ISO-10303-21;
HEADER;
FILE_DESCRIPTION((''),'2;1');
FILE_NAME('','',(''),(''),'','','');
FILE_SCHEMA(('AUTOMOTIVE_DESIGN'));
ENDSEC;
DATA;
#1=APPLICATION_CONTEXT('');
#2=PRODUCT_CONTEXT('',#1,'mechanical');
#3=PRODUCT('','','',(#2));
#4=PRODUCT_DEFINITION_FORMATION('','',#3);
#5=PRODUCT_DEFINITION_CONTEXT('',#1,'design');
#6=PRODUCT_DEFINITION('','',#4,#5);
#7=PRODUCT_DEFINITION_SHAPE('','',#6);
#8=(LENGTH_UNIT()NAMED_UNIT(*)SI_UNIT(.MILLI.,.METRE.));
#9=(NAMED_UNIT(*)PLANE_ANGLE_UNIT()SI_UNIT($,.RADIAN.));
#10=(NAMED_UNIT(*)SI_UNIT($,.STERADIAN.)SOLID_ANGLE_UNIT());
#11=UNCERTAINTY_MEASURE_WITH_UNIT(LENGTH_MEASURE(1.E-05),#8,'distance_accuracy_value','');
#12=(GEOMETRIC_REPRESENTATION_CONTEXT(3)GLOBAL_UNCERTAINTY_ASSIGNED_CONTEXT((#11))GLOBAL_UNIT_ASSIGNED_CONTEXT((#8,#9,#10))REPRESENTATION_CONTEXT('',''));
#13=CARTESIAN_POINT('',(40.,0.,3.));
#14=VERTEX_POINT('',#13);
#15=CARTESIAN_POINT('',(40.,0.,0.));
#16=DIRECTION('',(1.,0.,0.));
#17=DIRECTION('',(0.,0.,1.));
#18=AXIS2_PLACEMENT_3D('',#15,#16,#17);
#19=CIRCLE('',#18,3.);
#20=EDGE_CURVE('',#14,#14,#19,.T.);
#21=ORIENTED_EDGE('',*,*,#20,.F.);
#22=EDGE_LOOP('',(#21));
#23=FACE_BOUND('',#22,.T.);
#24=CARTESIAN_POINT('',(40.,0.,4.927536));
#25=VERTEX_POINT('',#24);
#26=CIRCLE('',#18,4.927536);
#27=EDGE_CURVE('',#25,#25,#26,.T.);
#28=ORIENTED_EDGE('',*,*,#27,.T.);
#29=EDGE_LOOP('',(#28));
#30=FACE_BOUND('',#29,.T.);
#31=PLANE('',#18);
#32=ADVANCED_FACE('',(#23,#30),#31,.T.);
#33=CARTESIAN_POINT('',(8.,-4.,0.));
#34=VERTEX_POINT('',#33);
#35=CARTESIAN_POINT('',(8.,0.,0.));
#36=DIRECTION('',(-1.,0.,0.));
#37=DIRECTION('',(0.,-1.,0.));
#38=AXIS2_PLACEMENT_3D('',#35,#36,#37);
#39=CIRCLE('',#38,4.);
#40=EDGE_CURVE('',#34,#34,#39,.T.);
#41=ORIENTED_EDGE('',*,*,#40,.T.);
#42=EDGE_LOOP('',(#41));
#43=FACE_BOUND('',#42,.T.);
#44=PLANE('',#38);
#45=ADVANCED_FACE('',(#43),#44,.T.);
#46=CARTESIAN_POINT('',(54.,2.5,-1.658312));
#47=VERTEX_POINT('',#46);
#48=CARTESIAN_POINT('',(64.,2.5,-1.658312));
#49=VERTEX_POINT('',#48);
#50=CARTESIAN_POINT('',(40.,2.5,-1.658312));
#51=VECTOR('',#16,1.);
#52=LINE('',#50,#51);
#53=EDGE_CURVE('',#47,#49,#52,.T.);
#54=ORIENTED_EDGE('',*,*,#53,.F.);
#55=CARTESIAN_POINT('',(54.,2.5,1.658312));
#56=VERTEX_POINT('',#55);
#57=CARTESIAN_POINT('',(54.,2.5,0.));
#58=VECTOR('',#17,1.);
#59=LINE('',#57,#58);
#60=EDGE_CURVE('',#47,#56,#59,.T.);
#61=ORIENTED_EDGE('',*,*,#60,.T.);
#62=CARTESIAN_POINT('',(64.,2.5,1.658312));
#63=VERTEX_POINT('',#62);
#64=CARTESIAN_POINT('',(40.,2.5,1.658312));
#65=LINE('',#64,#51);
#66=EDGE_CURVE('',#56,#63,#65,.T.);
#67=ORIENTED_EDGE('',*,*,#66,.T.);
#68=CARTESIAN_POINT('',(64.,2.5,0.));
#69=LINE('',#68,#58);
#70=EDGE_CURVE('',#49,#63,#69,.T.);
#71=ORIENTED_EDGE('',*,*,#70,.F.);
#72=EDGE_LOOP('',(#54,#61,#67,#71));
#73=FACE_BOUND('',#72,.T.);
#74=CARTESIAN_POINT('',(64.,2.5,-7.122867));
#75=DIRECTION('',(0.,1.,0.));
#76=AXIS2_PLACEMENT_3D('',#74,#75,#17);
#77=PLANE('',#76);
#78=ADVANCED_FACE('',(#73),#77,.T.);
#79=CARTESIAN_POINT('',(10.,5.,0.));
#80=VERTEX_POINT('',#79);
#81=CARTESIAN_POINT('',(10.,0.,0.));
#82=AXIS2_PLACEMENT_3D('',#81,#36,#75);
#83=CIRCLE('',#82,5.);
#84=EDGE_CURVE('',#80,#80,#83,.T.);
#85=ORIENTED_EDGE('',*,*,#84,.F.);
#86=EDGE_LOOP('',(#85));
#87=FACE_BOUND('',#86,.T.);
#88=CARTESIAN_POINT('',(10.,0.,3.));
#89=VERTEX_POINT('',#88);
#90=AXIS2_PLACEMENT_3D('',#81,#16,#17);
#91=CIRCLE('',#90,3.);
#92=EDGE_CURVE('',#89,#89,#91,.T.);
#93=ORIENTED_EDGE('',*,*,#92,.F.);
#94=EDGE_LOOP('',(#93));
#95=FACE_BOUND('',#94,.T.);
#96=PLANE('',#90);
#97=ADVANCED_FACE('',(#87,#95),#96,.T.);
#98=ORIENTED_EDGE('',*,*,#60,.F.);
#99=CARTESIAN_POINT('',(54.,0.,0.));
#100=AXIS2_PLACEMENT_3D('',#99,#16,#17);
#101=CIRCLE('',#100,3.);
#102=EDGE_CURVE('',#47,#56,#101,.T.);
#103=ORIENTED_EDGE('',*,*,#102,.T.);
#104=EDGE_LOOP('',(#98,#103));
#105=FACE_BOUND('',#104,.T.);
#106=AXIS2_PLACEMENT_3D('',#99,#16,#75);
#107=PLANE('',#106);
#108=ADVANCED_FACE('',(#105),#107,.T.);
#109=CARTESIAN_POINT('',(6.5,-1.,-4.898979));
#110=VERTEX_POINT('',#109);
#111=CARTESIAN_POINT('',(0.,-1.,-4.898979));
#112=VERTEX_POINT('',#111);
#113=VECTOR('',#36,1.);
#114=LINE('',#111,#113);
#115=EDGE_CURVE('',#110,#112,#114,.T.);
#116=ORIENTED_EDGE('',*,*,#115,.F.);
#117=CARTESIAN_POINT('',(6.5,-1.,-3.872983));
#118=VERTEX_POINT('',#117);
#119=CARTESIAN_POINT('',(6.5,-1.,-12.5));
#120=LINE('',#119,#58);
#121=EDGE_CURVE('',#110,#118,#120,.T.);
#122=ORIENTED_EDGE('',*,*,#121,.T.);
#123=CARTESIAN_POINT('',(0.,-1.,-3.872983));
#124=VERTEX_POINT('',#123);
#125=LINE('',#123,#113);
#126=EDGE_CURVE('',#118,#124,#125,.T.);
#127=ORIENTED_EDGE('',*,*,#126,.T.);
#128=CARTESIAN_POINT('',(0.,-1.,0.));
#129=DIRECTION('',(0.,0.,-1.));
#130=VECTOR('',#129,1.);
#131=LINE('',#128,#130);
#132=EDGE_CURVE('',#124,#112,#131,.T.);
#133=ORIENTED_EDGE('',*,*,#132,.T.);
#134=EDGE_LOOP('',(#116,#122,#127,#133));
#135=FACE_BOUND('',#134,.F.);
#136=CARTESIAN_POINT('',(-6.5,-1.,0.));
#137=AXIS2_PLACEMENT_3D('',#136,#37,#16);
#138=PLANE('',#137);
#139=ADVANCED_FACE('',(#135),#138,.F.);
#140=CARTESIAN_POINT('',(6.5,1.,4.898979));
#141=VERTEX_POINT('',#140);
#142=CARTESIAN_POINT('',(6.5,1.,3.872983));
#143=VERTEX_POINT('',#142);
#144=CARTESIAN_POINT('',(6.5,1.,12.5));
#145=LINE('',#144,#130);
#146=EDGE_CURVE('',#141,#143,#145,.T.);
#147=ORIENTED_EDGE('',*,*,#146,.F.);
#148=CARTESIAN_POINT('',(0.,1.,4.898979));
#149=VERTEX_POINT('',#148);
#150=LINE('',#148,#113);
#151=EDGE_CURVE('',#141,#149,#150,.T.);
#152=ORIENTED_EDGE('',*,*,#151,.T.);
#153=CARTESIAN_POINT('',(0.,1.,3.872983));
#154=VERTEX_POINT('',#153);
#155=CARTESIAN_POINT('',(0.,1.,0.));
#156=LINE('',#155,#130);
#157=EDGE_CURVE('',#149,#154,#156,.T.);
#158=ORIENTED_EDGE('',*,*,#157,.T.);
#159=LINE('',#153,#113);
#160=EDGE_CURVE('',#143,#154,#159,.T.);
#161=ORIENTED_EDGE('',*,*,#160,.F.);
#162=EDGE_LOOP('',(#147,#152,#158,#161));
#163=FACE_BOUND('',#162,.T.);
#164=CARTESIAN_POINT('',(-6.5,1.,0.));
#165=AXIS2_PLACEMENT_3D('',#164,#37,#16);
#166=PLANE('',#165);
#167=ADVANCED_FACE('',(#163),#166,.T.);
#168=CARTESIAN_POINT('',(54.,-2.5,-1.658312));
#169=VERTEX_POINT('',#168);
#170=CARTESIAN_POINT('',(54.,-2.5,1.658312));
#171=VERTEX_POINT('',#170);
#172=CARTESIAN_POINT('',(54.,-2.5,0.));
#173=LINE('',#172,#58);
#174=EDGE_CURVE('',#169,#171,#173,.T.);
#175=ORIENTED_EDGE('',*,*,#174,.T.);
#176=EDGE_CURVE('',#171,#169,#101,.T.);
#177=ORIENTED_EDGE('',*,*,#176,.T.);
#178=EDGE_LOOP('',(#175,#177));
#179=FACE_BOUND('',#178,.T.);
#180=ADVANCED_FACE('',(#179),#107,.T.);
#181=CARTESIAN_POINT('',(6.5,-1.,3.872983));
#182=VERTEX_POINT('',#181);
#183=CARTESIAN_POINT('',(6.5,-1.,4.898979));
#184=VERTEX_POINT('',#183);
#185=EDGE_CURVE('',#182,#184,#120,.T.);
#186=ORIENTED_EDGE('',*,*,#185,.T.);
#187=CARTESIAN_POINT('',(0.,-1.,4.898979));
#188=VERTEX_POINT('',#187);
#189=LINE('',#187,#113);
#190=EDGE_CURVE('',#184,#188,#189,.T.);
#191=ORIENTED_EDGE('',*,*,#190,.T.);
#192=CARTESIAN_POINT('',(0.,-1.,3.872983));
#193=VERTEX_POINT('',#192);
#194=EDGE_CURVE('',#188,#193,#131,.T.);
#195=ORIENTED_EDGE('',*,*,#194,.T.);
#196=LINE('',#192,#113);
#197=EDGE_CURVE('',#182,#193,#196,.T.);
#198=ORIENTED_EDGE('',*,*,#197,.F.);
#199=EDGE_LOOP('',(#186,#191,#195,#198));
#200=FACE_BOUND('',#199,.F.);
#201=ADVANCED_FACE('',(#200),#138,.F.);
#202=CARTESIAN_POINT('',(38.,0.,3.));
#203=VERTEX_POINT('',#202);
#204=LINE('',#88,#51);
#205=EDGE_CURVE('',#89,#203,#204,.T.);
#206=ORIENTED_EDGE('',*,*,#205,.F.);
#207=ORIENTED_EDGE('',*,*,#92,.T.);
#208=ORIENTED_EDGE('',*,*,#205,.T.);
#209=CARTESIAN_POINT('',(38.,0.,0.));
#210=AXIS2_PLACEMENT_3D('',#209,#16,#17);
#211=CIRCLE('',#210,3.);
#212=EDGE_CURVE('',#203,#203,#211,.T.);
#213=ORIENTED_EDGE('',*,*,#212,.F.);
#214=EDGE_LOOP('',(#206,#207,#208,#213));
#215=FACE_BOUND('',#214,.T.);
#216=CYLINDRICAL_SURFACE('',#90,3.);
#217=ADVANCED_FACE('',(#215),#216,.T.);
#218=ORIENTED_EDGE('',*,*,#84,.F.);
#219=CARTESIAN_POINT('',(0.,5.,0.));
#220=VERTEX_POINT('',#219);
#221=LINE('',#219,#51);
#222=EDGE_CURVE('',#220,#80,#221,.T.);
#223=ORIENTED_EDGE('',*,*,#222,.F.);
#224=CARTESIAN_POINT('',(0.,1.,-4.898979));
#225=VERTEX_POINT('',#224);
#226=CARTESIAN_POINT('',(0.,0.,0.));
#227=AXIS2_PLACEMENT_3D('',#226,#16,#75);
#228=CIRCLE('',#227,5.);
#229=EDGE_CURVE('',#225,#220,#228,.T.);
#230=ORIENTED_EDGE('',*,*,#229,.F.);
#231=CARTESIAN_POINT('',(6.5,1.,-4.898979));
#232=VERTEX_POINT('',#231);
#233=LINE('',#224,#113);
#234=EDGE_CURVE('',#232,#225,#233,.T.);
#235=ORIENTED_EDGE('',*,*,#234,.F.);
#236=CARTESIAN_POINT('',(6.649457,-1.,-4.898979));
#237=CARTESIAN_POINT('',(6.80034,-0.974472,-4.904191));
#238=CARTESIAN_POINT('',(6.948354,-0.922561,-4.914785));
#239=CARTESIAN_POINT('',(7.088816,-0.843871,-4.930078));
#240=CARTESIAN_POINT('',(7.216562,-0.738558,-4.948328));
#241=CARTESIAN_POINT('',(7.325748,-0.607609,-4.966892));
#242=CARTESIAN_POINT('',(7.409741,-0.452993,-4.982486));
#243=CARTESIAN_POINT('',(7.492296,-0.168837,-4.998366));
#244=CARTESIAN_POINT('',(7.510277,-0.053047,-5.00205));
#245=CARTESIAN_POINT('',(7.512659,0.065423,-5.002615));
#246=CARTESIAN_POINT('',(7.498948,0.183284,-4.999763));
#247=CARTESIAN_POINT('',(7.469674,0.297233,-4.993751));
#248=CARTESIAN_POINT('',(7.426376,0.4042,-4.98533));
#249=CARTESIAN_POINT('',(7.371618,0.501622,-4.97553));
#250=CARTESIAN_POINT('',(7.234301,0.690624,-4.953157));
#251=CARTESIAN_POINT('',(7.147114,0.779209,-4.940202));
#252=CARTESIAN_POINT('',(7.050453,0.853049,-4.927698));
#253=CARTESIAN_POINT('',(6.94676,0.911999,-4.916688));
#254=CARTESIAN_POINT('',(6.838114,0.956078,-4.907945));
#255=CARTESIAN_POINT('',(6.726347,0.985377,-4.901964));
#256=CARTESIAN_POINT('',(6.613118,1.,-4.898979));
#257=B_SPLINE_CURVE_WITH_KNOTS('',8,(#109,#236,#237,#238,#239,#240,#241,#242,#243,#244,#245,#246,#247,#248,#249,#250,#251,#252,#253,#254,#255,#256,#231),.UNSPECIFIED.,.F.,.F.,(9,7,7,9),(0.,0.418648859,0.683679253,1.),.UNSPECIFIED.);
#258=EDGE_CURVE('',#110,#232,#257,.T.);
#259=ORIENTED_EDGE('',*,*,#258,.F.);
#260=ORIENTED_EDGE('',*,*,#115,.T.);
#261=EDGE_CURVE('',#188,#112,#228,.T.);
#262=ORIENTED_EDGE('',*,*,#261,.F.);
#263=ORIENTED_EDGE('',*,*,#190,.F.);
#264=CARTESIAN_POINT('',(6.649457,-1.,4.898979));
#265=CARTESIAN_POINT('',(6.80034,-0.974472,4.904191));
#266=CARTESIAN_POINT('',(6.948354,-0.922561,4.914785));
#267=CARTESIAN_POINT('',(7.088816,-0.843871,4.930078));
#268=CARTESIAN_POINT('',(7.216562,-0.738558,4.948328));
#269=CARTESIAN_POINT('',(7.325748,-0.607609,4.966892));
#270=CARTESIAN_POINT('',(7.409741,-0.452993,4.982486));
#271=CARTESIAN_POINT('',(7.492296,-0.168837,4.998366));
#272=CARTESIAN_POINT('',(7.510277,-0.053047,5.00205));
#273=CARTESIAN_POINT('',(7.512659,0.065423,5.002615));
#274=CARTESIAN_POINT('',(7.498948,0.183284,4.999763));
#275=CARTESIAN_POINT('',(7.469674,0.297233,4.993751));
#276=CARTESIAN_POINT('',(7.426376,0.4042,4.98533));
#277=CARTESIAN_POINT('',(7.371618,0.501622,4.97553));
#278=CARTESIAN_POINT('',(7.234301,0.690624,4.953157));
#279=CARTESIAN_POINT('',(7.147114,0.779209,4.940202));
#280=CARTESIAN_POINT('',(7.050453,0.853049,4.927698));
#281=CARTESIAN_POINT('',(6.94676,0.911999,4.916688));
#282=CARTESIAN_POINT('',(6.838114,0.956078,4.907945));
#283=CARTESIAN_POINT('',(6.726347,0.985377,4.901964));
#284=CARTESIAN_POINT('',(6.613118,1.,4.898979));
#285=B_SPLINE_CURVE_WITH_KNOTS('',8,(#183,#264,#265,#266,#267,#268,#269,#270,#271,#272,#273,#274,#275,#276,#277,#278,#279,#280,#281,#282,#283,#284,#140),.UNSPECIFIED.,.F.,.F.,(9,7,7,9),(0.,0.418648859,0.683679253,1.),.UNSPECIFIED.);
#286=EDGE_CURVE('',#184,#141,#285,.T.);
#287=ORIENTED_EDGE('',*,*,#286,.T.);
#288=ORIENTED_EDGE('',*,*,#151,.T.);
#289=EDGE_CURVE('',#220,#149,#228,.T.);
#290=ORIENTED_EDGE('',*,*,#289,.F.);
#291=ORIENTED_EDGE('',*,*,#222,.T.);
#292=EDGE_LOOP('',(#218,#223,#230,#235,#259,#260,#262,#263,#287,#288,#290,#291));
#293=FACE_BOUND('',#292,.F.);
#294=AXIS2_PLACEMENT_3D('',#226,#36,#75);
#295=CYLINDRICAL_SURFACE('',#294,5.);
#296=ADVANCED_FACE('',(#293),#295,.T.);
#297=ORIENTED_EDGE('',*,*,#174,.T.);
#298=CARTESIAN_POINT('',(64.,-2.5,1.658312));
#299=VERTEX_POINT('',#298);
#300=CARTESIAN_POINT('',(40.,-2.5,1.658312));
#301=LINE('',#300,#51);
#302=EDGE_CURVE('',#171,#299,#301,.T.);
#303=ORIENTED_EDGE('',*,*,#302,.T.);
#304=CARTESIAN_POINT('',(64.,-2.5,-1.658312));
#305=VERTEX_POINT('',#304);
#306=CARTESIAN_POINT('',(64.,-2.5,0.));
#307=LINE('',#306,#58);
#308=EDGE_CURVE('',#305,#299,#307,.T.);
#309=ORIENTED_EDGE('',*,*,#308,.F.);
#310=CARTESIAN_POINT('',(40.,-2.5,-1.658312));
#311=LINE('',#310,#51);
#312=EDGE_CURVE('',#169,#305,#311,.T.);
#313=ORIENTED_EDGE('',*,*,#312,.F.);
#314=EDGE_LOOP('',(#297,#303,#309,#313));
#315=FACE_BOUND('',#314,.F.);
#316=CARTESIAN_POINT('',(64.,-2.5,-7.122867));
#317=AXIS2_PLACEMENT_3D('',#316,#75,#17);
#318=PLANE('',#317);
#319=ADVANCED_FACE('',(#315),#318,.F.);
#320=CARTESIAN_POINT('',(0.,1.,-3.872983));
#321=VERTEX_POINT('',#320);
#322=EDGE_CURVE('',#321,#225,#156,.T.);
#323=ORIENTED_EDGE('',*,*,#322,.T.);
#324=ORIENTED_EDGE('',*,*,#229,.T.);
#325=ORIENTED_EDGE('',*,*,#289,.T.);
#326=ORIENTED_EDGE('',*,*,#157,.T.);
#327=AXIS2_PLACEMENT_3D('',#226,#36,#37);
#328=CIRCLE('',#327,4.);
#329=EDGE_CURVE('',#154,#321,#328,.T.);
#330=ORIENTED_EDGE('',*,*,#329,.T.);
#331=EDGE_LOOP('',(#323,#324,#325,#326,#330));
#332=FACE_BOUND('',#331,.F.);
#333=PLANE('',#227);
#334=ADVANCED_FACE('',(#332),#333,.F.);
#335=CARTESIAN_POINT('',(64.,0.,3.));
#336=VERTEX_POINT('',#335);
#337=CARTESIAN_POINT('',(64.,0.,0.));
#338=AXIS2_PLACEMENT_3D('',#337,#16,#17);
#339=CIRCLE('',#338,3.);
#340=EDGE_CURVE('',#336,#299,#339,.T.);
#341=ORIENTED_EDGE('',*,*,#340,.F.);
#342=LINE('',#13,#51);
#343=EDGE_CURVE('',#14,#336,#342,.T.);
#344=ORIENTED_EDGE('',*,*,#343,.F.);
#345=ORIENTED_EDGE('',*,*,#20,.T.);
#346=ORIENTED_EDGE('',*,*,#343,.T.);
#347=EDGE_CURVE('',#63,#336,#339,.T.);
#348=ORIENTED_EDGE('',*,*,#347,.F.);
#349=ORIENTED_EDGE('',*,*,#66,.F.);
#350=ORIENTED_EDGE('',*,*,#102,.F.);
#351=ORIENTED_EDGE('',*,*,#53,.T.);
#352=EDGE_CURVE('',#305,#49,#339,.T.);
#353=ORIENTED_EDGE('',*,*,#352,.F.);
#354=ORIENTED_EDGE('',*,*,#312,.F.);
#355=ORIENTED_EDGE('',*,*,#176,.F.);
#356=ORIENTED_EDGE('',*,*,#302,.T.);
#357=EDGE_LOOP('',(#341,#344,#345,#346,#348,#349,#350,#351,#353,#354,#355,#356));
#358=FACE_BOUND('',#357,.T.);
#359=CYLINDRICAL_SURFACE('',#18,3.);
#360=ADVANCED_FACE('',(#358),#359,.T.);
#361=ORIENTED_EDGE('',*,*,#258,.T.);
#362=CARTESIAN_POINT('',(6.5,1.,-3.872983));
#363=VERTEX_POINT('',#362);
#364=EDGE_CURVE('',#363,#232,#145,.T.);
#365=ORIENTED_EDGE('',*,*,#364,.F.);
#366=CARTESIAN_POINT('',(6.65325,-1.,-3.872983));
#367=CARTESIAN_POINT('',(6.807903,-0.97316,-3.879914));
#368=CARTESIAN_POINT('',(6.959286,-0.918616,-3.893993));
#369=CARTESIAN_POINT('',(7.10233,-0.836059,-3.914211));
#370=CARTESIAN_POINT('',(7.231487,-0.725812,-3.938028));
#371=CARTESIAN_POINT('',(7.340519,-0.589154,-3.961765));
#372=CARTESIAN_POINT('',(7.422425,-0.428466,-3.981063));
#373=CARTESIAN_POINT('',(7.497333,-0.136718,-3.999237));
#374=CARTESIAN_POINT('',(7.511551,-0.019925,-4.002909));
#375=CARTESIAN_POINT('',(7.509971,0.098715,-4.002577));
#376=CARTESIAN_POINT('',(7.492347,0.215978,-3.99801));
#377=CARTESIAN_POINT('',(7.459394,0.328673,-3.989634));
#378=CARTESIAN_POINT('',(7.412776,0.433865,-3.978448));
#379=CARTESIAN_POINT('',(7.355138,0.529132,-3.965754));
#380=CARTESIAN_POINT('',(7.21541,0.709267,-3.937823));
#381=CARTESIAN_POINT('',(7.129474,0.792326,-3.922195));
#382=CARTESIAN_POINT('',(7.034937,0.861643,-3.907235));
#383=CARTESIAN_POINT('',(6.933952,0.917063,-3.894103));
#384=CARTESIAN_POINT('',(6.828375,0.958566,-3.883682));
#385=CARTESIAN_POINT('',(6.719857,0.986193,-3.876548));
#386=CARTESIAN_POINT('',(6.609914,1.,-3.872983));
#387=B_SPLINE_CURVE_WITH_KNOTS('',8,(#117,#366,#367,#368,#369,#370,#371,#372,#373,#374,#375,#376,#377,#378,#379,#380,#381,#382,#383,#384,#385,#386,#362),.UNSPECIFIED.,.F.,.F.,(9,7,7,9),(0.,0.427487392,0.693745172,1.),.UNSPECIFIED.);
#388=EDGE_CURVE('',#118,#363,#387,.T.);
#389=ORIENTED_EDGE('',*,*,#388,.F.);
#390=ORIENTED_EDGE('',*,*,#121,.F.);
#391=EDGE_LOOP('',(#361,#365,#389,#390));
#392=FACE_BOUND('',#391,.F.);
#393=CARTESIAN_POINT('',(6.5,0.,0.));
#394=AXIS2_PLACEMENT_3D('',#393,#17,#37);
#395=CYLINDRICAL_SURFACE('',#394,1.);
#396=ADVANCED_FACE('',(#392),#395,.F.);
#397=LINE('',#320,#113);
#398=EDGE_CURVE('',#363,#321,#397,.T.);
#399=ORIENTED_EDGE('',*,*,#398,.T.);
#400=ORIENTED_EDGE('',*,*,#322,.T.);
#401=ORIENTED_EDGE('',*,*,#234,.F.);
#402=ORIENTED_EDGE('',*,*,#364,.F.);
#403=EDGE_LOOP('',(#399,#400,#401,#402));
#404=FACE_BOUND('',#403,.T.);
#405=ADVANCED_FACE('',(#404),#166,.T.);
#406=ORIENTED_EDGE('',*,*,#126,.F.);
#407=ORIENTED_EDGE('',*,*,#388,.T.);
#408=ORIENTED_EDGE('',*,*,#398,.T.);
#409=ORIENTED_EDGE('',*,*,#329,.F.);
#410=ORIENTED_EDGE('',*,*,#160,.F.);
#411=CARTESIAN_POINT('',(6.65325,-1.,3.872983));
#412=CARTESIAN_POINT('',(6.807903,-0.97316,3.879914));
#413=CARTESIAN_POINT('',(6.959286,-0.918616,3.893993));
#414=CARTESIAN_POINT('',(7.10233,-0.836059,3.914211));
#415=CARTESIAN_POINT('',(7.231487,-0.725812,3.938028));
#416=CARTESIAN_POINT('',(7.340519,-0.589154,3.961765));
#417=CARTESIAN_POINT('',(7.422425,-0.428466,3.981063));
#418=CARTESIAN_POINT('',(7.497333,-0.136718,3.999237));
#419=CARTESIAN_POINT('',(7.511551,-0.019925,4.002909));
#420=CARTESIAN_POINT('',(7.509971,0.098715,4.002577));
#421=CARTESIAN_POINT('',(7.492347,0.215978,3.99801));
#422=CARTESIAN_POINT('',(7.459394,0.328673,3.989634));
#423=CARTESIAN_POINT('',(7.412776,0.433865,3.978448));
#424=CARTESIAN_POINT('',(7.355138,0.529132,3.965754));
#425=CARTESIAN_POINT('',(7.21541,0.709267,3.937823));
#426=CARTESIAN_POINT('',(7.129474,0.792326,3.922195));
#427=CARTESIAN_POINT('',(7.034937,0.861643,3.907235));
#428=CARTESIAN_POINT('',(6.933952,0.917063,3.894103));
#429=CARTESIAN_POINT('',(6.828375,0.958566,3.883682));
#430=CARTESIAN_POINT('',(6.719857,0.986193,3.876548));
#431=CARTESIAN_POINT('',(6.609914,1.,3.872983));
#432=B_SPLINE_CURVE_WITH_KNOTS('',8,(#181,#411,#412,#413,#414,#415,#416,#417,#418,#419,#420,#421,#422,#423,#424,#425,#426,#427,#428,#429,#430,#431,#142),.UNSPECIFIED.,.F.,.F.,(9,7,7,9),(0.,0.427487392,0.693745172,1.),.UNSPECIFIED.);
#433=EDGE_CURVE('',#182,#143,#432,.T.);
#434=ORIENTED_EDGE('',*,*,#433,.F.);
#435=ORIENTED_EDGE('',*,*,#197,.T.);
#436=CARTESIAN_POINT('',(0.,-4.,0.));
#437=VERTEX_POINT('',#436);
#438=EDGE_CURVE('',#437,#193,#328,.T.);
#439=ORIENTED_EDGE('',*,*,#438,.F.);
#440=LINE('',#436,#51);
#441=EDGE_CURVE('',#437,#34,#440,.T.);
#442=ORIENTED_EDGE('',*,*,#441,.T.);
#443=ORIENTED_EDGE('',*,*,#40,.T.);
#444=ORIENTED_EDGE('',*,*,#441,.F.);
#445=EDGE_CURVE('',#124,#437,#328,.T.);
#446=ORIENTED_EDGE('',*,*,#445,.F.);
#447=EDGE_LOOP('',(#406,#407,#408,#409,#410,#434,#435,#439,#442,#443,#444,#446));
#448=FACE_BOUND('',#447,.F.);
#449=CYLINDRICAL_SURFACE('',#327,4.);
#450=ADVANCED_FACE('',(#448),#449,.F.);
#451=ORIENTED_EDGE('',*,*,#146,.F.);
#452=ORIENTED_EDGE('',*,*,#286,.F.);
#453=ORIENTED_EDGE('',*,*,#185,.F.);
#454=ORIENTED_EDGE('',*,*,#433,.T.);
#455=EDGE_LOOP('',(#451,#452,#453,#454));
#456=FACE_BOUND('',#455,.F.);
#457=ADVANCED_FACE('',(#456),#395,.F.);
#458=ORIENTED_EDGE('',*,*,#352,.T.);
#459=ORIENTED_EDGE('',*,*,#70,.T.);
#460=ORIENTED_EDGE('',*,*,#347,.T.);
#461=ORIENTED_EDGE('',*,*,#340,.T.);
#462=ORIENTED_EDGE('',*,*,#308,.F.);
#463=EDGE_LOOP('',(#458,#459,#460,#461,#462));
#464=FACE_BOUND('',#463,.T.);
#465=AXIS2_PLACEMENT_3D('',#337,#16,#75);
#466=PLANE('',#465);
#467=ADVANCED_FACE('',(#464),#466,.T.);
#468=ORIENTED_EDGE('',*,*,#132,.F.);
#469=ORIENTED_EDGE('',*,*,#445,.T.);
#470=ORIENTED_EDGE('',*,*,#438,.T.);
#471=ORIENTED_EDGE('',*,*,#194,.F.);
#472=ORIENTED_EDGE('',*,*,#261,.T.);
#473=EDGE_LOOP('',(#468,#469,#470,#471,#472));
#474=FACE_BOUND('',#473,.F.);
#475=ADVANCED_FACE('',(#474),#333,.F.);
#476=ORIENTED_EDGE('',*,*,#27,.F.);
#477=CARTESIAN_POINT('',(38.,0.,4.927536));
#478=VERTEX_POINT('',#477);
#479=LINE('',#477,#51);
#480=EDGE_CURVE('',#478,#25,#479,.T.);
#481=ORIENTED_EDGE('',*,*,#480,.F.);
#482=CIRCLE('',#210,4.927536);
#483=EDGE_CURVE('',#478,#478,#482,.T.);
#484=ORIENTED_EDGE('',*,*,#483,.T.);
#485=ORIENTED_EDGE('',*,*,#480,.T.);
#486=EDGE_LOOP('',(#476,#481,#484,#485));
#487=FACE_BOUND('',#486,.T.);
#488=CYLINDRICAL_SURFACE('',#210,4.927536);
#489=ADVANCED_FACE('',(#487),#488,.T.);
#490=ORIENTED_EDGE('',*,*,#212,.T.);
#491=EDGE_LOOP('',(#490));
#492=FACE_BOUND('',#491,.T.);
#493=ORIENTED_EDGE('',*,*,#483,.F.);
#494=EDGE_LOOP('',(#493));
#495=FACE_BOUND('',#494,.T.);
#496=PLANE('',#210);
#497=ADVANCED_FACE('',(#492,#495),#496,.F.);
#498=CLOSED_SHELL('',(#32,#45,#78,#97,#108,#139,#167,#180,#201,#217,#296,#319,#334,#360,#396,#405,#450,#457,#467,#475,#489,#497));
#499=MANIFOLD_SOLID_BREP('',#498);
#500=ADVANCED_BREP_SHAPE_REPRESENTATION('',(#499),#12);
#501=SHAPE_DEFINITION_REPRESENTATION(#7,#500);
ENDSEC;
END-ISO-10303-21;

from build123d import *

# Parameters (mm, degrees)
F0_R     = 5
F1_DEPTH = 64
F4_W     = 18.964292
F4_H     = 17.682846
F4_W_2   = 5
F4_H_2   = 14.245734
F5_DEPTH = 10
F6_W     = 13
F6_H     = 2
F7_DEPTH = 12.5
F8_R     = 4
F9_DEPTH = 8


with BuildPart() as f1:
    # F0 (on Right) → F1 (new body)
    with BuildSketch(Plane.YZ):
        Circle(F0_R)
    extrude(amount=F1_DEPTH)

    # F2 (on Front) → F3 (revolve, cut)
    with BuildSketch(Plane.XZ):
        Polygon((10, 6.419506), (10, 3), (38, 3), (38, 4.927536), (40, 4.927536), (40, 3), (64, 3), (64, 6.419506), align=None)
    revolve(axis=Axis((28.04348, 0, 0), (1, 0, 0)), mode=Mode.SUBTRACT)

    # F4 (on face) → F5 (cut)
    with BuildSketch(Plane.YZ.offset(64)):
        Rectangle(F4_W, F4_H)
        Rectangle(F4_W_2, F4_H_2, mode=Mode.SUBTRACT)
    extrude(amount=-F5_DEPTH, mode=Mode.SUBTRACT)

    # F6 (on Top) → F7 (cut, symmetric)
    with BuildSketch(Plane.XY):
        Rectangle(F6_W, F6_H)
        with BuildLine():
            Line((6.5, 1), (6.5, -1))
            ThreePointArc((6.5, -1), (7.5, 0), (6.5, 1))
        make_face()
    extrude(amount=F7_DEPTH, both=True, mode=Mode.SUBTRACT)

    # F8 (on face) → F9 (cut)
    with BuildSketch(Plane(origin=(0, 0, 0), x_dir=(0, -1, 0), z_dir=(-1, 0, 0))):
        Circle(F8_R)
    extrude(amount=-F9_DEPTH, mode=Mode.SUBTRACT)


solid = f1.part
